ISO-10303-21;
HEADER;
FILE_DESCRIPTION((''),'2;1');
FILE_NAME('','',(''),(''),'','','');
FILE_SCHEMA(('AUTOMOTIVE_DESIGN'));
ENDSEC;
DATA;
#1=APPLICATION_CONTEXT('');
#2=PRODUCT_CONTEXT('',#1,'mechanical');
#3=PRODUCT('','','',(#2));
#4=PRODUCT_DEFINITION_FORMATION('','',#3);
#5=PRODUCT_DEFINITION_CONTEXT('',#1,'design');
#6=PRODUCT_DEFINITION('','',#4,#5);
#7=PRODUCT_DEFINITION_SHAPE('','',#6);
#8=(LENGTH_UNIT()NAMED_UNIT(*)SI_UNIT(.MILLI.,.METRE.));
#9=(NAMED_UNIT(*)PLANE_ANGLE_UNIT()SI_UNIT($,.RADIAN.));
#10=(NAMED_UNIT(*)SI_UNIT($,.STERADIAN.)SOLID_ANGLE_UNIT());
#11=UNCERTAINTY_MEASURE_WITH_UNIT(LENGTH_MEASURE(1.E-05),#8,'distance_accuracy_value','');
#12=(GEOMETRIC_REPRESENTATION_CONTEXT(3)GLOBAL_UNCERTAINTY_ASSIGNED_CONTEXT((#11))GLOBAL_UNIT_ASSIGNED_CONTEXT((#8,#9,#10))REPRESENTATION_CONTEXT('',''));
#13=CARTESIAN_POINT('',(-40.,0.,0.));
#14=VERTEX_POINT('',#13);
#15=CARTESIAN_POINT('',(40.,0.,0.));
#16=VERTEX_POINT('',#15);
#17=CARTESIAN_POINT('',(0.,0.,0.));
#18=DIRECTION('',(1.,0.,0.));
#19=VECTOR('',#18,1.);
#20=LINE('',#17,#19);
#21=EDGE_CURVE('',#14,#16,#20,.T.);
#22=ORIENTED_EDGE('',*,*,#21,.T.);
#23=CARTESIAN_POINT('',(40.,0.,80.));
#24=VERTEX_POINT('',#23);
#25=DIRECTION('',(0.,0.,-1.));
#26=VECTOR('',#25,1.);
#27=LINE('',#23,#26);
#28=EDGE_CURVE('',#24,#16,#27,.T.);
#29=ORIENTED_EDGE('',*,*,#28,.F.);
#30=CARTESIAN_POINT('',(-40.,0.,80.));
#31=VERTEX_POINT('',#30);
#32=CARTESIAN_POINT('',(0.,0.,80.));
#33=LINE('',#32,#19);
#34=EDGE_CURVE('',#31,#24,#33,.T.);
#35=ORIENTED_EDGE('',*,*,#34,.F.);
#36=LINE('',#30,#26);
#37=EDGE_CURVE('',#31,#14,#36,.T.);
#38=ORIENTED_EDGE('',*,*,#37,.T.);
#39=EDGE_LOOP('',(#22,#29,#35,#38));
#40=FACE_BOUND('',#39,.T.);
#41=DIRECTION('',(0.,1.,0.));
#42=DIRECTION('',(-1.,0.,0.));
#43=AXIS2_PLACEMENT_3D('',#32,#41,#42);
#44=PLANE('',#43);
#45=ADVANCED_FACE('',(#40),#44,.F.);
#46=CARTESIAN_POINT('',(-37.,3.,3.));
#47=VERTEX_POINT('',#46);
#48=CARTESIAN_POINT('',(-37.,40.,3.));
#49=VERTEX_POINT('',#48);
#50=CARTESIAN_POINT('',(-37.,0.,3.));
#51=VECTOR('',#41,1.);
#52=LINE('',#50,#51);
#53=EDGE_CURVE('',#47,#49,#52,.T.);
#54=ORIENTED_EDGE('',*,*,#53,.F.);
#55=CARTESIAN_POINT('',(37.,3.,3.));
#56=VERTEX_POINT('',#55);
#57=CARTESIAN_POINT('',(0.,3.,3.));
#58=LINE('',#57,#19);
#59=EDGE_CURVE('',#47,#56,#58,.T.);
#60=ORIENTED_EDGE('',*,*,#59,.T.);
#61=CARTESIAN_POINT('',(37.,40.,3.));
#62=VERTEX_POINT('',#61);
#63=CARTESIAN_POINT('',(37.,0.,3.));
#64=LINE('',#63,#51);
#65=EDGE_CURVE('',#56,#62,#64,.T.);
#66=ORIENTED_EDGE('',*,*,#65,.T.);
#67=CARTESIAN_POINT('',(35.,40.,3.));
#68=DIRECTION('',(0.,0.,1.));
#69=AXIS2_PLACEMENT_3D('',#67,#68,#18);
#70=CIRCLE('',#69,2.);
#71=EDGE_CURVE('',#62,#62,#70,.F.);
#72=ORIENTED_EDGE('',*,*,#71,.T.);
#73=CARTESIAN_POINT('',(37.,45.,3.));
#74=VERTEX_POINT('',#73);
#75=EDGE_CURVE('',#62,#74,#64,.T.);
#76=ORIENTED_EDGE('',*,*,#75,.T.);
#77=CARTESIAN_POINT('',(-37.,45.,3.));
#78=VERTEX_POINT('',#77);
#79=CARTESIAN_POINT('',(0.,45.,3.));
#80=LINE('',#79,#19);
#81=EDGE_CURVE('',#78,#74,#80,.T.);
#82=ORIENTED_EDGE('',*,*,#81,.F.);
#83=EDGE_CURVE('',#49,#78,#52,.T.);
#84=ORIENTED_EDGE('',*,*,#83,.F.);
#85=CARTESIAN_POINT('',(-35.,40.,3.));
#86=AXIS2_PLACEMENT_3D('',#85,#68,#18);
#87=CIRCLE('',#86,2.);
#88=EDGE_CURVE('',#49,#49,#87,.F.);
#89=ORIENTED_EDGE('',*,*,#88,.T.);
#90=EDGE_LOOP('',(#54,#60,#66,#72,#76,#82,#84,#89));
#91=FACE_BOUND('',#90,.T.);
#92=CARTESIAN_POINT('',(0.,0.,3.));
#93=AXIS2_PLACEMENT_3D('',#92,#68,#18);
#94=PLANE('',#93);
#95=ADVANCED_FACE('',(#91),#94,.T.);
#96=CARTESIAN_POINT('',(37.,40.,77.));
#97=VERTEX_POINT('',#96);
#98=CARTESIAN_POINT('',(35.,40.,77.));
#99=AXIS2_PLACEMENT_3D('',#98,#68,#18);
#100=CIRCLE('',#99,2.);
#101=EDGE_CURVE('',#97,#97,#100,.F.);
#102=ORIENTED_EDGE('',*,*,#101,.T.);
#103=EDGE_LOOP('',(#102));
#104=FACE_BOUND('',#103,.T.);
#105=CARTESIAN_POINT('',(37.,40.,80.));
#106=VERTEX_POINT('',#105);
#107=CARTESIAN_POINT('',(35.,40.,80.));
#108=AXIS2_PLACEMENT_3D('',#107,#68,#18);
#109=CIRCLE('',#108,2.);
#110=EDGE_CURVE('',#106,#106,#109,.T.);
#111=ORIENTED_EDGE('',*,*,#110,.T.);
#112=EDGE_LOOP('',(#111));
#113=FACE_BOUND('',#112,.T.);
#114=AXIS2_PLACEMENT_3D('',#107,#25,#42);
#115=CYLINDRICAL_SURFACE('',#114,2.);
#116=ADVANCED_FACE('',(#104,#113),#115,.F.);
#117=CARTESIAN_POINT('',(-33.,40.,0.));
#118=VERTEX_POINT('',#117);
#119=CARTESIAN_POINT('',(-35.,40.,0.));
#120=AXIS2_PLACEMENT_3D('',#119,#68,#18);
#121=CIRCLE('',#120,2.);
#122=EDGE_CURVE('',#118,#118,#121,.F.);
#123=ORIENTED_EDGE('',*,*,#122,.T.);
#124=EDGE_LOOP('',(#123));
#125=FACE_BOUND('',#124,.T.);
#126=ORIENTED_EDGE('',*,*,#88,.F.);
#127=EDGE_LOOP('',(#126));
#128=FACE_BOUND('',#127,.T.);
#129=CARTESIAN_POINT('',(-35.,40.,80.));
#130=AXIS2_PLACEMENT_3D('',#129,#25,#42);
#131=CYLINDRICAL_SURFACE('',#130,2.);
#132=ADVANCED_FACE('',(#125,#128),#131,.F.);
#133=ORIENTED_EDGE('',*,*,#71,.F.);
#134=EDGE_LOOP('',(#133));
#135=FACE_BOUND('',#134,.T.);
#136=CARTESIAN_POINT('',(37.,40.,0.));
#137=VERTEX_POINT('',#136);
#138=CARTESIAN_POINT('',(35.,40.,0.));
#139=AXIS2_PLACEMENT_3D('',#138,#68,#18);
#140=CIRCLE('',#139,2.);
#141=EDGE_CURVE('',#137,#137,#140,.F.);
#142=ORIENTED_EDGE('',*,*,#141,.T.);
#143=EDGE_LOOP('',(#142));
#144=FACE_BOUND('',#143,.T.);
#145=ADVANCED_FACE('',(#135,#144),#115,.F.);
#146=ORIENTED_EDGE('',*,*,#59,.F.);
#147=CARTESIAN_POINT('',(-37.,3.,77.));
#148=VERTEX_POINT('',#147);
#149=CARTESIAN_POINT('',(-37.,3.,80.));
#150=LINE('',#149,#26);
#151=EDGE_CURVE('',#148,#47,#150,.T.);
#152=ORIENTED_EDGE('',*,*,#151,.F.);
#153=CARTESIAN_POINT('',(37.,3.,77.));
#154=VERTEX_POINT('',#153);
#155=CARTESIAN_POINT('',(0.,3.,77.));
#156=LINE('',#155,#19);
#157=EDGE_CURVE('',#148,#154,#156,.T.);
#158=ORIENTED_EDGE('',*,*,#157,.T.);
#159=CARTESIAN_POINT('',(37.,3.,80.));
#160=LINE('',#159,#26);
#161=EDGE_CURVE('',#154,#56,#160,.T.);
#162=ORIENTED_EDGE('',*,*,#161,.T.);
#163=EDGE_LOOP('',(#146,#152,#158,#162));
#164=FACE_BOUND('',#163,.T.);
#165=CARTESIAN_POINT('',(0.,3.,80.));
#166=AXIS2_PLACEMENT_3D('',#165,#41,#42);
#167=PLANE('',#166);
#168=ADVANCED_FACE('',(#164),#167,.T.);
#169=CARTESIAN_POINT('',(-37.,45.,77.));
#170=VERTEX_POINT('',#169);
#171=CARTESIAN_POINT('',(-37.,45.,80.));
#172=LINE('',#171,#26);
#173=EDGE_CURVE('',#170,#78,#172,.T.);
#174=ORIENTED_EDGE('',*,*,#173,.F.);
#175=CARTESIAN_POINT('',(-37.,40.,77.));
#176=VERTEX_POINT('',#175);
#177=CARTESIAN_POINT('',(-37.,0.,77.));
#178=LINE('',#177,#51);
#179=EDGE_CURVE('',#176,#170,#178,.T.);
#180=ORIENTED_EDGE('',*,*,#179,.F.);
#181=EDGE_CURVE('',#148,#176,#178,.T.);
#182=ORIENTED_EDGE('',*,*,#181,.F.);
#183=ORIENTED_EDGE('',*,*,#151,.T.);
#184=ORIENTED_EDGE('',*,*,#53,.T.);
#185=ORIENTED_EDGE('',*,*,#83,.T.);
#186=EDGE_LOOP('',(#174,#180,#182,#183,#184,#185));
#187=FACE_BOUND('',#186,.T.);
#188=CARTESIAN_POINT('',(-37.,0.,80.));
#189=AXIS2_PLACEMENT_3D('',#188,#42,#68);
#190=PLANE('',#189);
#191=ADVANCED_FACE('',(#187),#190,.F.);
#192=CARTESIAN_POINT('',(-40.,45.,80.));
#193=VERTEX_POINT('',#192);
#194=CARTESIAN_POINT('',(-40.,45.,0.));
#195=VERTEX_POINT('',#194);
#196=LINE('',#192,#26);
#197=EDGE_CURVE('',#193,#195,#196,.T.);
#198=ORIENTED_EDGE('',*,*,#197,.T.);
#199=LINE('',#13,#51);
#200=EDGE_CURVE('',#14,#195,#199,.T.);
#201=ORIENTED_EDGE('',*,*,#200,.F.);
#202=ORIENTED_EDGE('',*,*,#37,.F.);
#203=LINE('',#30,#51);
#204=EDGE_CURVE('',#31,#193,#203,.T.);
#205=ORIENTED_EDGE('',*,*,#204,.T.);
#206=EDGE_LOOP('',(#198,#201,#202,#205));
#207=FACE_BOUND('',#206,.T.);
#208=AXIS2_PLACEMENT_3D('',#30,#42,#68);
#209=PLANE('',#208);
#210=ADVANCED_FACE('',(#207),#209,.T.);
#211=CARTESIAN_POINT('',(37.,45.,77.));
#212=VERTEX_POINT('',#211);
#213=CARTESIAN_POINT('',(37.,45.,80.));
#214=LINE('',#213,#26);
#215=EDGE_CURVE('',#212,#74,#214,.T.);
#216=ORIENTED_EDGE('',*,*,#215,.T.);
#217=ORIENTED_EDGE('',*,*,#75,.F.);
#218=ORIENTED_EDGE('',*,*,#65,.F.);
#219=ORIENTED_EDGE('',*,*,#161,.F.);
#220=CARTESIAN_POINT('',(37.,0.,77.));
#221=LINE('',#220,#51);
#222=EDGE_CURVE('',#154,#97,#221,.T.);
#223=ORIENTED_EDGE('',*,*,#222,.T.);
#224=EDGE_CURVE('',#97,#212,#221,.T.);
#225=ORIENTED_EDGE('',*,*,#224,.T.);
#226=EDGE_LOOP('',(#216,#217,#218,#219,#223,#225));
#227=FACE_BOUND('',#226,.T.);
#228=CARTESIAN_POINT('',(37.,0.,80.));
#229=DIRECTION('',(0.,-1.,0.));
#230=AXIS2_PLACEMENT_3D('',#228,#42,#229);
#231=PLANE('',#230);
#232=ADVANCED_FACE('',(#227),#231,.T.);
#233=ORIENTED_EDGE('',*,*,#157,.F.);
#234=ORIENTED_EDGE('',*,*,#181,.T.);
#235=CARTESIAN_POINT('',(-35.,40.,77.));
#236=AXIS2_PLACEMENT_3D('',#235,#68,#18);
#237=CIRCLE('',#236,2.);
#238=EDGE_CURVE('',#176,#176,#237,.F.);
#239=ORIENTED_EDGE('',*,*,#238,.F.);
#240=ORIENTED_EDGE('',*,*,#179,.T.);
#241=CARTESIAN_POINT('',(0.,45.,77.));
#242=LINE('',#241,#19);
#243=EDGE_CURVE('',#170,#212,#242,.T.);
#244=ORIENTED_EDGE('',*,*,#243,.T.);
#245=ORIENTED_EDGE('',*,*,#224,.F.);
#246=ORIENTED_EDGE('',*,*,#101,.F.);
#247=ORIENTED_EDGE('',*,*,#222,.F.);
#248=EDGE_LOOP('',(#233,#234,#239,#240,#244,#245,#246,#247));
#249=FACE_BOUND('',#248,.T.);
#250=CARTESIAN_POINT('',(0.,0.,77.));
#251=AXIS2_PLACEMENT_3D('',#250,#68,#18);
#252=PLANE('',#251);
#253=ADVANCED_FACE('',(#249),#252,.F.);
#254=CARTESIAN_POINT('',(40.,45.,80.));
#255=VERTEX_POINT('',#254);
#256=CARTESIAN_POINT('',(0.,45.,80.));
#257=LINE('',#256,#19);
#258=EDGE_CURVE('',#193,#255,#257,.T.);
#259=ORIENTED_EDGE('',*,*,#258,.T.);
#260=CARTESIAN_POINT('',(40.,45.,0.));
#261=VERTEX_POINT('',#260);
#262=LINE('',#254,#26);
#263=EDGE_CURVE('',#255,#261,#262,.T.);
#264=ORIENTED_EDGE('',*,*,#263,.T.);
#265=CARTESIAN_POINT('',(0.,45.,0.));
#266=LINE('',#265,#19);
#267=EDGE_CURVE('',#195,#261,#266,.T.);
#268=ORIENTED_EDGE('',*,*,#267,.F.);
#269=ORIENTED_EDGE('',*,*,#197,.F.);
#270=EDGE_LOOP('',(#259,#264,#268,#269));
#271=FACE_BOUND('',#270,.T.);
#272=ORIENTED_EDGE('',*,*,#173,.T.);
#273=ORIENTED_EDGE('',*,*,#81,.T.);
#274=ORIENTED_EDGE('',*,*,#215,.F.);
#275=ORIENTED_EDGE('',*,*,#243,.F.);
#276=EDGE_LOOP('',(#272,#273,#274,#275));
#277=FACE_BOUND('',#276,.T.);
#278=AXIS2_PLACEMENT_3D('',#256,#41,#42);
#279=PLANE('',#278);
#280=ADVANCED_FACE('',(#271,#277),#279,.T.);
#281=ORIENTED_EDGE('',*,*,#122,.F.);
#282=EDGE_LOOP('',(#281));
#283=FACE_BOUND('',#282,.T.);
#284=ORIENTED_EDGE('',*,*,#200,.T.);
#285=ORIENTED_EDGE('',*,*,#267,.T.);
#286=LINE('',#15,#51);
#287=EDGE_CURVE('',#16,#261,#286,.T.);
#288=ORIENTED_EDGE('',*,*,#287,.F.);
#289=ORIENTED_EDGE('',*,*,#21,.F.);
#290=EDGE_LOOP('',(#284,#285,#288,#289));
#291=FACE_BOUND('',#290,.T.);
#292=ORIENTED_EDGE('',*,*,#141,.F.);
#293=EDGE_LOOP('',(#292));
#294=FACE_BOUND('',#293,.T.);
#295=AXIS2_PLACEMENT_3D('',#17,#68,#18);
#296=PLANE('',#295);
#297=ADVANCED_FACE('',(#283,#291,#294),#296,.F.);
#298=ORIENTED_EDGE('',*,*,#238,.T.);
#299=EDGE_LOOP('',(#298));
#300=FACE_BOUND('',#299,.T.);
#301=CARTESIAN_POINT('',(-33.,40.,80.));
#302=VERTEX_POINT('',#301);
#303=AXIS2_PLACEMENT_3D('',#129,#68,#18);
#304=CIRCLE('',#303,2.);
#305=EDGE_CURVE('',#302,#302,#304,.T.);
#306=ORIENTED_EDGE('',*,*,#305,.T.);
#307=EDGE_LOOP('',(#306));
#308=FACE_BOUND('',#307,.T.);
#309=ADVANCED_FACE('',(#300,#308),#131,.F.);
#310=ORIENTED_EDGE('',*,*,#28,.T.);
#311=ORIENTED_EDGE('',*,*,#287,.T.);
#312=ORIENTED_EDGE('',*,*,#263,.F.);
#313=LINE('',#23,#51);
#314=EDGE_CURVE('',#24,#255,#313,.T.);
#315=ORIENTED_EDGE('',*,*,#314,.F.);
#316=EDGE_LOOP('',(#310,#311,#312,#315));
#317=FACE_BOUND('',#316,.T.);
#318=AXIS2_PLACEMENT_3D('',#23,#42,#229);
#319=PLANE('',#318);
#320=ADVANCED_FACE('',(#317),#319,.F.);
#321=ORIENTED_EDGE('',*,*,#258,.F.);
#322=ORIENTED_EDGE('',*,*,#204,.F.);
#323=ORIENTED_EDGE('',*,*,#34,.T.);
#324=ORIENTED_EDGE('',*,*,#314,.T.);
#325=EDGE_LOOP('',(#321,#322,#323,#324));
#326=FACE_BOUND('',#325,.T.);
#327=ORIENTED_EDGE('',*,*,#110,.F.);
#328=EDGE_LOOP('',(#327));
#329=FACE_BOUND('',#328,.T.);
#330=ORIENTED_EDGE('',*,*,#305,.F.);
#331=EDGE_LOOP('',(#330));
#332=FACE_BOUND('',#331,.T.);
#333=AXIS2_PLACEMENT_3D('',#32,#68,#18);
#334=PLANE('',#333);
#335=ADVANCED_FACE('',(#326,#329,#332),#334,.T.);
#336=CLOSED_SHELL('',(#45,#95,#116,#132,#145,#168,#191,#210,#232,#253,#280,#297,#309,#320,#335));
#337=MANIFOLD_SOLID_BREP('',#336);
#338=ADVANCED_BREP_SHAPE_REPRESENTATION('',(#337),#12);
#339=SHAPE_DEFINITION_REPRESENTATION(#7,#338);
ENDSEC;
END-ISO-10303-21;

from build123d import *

# Parameters (mm, degrees)
BOSS_EXTRUDE1_DEPTH     = 80
SHELL1_T                = -3
CUT_EXTRUDE3_DEPTH      = 101.124921973
CUT_EXTRUDE3_DEPTH_BACK = 101.124921973
SKETCH1_3_R             = 2


with BuildPart() as part:
    # Sketch1 → Boss-Extrude1 (new body)
    with BuildSketch(Plane.XY):
        Polygon((-40, 0), (40, 0), (40, 45), (35, 45), (-40, 45), align=None)
    extrude(amount=BOSS_EXTRUDE1_DEPTH)

    # Shell1
    shell1_openings = [part.faces().sort_by_distance(p)[0] for p in [
        (0, 45, 40),
    ]]
    offset(amount=SHELL1_T, openings=shell1_openings, kind=Kind.INTERSECTION)

    # Sketch1<3> → Cut-Extrude3 (cut, two sides: drawn at the far end of the back side and taken through both)
    with BuildSketch(Plane.XY.offset(-CUT_EXTRUDE3_DEPTH_BACK)):
        with Locations((35, 40)):
            Circle(SKETCH1_3_R)
        with Locations((-35, 40)):
            Circle(SKETCH1_3_R)
    extrude(amount=CUT_EXTRUDE3_DEPTH + CUT_EXTRUDE3_DEPTH_BACK, mode=Mode.SUBTRACT)


solid = part.part
